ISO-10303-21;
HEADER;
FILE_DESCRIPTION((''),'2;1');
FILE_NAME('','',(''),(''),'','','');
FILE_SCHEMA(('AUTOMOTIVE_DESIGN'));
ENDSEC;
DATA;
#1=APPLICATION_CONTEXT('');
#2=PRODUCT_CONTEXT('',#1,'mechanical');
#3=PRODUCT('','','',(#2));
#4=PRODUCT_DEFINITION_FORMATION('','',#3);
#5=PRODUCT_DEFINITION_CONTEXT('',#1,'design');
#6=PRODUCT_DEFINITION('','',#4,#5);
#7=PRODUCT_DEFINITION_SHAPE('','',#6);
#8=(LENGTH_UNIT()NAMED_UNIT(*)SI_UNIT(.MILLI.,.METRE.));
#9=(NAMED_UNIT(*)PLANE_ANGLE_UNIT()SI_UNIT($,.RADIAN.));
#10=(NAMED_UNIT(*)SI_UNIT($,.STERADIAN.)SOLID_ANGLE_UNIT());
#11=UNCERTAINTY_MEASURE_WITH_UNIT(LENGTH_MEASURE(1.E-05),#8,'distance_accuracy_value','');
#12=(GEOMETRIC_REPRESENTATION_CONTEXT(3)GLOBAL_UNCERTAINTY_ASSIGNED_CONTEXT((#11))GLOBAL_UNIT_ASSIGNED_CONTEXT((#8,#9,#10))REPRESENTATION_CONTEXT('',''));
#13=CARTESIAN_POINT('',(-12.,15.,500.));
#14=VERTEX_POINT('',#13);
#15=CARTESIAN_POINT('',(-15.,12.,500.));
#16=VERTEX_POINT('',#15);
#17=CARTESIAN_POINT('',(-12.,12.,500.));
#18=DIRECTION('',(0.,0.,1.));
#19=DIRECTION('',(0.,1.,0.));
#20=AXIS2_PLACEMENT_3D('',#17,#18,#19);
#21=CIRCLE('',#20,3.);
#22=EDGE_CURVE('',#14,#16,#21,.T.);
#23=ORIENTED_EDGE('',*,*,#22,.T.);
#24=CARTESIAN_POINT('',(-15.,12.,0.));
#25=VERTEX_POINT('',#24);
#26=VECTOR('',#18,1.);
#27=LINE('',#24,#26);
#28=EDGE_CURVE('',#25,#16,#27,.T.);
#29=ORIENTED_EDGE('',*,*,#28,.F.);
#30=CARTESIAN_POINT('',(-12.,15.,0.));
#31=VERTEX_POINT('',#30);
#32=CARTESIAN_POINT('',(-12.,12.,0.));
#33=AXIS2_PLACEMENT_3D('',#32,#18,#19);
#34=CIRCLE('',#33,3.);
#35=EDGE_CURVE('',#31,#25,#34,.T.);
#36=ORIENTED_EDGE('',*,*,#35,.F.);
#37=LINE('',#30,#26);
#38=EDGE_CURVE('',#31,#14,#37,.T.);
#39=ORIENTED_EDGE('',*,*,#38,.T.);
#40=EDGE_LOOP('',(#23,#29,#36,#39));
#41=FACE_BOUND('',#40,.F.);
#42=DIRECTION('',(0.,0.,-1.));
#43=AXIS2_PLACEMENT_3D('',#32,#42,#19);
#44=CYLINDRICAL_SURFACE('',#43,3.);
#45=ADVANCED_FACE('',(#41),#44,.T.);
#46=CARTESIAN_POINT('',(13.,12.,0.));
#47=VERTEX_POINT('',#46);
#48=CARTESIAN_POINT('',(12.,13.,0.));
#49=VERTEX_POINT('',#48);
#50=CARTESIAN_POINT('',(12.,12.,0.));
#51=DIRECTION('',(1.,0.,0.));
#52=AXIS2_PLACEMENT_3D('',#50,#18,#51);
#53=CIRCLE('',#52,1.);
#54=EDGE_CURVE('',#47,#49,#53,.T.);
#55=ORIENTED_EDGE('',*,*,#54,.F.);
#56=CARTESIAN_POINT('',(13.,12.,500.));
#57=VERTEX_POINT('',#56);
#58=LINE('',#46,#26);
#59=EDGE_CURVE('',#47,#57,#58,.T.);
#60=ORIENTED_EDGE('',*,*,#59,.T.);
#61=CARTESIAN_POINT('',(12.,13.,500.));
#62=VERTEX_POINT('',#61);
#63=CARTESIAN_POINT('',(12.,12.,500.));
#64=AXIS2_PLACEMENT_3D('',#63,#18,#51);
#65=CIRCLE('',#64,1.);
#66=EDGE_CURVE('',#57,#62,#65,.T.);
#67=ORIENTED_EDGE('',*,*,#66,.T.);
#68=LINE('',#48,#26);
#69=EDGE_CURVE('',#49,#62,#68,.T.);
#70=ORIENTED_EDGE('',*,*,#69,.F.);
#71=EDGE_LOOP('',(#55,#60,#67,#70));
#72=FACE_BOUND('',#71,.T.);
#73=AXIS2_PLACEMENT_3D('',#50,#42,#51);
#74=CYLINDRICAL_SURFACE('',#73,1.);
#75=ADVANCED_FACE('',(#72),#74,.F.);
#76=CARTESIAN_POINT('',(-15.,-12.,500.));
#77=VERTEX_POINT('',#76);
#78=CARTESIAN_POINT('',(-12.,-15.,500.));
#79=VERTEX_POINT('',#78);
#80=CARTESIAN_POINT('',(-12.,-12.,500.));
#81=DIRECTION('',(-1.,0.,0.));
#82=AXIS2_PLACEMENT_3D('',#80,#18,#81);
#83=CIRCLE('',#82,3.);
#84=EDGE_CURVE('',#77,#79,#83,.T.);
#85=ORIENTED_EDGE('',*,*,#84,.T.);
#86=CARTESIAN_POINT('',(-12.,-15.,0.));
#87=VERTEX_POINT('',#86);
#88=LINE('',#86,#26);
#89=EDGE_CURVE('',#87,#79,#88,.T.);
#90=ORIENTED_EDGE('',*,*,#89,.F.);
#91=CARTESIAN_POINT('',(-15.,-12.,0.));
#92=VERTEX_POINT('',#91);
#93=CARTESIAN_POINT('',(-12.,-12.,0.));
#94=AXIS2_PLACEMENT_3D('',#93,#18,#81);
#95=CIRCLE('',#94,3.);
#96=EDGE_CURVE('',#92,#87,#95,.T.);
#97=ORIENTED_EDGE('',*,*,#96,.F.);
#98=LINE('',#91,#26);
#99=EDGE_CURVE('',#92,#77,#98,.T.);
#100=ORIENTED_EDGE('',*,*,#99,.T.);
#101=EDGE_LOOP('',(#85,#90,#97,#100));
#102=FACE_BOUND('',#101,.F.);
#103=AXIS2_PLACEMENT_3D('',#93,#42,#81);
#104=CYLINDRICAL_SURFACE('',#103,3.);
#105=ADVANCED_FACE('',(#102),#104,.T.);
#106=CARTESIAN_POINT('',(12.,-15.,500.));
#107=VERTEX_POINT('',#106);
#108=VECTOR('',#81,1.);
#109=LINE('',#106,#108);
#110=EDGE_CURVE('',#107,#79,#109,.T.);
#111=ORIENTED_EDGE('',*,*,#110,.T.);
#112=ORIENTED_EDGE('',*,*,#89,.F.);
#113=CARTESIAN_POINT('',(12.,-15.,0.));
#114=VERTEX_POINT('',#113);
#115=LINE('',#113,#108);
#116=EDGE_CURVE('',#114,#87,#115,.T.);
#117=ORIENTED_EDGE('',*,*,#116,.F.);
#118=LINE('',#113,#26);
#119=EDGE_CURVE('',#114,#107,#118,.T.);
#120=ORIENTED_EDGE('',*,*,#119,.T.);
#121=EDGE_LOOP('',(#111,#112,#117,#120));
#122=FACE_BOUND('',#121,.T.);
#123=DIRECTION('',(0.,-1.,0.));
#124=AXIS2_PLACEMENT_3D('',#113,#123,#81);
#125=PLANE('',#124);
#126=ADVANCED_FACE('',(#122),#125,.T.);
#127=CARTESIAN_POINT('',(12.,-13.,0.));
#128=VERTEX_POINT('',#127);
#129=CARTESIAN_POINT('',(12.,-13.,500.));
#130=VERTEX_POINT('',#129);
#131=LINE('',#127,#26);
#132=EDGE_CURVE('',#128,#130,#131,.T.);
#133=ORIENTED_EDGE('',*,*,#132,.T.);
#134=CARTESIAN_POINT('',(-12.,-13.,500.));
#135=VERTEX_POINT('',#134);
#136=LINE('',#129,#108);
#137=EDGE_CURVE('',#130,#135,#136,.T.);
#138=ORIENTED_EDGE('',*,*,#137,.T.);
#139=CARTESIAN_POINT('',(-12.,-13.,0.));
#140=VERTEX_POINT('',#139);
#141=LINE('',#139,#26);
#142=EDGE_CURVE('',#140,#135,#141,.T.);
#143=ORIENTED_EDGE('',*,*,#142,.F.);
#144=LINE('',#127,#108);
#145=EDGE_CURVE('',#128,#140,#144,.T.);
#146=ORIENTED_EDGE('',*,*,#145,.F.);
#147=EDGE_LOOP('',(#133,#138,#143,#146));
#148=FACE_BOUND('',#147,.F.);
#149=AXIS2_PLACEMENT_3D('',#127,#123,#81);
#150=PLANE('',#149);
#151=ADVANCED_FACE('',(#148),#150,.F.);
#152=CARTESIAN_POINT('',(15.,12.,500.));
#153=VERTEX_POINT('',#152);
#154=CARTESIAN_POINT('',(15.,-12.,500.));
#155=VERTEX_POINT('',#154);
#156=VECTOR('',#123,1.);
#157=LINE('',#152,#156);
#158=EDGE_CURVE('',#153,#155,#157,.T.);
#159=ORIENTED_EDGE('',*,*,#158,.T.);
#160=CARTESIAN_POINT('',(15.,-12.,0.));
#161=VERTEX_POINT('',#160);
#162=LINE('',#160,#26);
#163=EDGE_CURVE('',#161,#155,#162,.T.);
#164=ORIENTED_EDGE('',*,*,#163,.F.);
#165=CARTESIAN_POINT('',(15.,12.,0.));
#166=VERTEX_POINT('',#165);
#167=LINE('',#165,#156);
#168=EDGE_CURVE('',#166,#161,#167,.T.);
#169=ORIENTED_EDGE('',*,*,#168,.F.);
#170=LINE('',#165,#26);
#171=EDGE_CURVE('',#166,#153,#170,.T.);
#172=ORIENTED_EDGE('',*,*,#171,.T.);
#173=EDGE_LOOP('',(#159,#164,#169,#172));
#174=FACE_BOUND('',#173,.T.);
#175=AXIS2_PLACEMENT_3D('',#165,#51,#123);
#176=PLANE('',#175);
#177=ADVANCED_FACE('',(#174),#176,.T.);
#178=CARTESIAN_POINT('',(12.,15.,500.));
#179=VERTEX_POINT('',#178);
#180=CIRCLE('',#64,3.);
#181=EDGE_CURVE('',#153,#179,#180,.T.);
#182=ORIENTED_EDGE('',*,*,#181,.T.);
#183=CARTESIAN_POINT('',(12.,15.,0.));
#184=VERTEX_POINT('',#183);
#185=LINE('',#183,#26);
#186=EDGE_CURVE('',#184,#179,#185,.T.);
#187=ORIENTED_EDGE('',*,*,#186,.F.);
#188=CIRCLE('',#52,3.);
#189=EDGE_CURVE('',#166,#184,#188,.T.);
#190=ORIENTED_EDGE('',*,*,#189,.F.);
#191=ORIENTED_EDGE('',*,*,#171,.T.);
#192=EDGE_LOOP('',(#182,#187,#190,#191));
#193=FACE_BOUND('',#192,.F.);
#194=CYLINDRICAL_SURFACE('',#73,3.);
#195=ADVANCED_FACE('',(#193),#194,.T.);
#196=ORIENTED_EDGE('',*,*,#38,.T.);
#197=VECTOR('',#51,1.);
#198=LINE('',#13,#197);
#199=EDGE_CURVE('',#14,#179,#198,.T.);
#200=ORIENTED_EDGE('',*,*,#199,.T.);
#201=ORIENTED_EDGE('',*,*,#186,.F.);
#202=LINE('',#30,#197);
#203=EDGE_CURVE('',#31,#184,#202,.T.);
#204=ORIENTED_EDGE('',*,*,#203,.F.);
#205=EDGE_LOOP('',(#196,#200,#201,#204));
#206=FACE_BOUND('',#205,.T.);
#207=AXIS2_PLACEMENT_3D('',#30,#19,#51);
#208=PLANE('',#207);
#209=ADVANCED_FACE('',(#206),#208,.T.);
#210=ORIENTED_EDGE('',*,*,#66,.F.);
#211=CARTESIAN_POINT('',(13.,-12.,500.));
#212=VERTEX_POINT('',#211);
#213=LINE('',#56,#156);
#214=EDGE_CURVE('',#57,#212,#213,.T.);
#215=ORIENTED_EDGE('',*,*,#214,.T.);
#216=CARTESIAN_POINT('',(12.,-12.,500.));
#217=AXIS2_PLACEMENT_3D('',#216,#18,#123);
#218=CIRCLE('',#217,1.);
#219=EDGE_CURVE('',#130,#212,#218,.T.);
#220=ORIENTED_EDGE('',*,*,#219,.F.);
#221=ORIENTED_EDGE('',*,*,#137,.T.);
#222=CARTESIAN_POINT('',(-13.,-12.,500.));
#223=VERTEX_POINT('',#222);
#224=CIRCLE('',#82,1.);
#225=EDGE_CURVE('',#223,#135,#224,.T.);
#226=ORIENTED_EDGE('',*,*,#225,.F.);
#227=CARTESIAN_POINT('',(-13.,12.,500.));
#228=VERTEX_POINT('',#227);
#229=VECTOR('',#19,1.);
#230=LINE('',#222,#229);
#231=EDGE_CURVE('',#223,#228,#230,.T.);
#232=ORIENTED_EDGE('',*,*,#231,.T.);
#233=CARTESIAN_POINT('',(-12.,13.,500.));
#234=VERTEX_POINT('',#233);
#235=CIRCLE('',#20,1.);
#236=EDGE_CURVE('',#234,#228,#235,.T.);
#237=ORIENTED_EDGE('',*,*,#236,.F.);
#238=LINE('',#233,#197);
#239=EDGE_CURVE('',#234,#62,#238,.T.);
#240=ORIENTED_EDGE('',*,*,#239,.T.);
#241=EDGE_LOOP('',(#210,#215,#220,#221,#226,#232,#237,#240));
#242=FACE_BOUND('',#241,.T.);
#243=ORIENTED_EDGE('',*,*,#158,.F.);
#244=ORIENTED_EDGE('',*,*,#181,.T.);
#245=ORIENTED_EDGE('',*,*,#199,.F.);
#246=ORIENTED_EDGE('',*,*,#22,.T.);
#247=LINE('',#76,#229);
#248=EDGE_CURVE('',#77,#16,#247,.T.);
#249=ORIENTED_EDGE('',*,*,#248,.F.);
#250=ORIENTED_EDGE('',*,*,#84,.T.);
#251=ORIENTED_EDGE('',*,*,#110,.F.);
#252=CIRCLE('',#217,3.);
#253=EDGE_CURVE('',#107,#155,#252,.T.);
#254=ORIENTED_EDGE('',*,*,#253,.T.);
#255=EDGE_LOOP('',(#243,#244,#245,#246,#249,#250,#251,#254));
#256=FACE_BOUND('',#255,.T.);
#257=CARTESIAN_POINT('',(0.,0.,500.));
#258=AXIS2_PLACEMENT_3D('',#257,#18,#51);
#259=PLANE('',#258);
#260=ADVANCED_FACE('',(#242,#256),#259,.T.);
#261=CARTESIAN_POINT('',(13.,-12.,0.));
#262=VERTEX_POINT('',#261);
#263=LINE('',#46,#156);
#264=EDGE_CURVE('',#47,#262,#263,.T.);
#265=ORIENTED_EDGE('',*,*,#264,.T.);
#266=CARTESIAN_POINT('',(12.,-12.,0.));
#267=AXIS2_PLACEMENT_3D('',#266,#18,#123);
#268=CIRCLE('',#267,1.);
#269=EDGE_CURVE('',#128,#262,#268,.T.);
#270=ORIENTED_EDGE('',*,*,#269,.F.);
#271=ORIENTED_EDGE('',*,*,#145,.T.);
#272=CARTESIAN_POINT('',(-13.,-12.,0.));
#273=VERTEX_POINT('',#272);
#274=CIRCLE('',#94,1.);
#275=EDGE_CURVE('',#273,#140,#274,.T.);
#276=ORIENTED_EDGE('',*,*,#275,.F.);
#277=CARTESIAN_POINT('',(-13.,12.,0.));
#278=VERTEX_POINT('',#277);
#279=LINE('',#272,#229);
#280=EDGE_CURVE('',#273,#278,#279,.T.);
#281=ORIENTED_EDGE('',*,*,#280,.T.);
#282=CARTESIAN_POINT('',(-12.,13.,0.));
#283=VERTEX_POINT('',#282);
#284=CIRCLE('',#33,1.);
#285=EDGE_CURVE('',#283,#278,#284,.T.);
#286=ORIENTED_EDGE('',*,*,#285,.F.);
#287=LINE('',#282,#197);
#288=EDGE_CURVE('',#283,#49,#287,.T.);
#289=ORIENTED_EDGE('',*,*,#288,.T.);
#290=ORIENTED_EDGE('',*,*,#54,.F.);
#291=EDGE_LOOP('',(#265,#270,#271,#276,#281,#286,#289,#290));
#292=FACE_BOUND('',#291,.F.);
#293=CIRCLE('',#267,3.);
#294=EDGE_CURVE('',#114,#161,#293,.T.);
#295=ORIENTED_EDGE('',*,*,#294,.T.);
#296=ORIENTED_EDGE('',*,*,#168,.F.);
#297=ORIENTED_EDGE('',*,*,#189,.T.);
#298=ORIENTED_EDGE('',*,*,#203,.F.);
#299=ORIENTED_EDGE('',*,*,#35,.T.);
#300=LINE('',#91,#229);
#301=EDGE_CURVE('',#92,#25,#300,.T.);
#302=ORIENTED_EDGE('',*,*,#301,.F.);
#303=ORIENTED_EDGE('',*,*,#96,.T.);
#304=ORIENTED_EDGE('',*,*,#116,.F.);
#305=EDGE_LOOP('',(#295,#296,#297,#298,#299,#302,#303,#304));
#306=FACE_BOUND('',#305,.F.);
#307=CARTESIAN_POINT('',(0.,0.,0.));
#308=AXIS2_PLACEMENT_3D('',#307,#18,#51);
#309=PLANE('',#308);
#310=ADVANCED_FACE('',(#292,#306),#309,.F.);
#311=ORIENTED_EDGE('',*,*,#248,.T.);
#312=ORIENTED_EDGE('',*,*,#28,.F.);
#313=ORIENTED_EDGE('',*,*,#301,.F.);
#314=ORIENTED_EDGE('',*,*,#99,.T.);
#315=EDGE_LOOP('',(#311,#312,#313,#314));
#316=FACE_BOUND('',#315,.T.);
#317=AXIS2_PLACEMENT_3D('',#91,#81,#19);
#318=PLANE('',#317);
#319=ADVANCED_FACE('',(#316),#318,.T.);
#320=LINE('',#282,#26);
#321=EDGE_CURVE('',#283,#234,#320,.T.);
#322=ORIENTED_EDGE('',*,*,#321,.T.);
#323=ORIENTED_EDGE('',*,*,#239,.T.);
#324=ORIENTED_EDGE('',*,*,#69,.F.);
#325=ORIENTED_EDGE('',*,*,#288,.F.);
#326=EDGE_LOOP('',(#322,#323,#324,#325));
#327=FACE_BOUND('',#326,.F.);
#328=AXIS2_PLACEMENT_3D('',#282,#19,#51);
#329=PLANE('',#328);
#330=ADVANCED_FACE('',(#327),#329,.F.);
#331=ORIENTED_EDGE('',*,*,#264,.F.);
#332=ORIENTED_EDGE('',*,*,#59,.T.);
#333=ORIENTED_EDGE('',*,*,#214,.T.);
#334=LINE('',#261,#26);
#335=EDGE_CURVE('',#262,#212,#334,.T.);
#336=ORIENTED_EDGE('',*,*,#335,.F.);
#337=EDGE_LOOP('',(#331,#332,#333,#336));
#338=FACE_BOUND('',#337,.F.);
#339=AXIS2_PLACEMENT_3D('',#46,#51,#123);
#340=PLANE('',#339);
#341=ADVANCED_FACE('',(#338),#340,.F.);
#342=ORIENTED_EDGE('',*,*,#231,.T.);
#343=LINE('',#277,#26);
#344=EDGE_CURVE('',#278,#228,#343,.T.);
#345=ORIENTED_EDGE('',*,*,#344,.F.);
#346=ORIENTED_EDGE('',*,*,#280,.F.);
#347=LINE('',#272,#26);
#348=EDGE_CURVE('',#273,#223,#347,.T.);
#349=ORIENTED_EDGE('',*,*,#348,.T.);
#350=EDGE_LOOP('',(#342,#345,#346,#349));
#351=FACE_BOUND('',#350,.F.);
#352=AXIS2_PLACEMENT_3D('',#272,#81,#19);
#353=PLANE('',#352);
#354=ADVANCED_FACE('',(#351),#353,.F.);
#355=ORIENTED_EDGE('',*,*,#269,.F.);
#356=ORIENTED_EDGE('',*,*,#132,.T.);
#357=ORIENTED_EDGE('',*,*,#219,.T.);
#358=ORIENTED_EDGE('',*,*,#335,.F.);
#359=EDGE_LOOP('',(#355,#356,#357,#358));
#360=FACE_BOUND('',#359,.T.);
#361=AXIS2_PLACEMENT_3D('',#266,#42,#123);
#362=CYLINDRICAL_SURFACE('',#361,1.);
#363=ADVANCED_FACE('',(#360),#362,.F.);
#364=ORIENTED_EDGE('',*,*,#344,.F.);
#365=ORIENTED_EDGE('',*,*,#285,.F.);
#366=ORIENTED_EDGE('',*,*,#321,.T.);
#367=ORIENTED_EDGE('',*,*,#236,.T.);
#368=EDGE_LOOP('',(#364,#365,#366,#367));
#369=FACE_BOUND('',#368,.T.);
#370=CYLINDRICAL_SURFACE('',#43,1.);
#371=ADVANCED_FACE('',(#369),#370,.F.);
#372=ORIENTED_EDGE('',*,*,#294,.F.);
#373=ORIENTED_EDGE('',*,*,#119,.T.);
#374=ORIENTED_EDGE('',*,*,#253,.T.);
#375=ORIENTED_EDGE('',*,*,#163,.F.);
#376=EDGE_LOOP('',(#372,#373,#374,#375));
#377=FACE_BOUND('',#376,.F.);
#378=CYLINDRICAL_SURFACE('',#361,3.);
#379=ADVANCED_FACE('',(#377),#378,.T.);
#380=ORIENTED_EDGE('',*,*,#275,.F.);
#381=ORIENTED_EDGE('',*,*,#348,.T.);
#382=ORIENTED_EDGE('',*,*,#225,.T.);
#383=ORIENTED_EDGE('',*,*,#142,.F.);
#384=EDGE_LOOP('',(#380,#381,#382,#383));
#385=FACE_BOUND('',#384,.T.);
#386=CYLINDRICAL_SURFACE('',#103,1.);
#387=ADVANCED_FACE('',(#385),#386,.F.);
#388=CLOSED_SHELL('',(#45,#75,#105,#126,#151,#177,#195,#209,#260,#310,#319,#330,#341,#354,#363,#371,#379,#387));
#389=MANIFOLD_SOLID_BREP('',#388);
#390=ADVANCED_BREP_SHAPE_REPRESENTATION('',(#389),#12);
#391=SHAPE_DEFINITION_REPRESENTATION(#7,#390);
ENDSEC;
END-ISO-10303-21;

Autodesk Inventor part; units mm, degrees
ref_plane "YZ Plane" through (0, 0, 0) normal (1, 0, 0) x (0, 1, 0)
ref_plane "Start plane" through (0, 0, 0) normal (0, 0, 1) x (1, 0, 0)
ref_plane "End plane" through (0, 0, 500) normal (0, 0, 1) x (1, 0, 0)
sketch "Sketch" plane through (0, 0, 0) normal (0, 0, 1) x (1, 0, 0)
  line L0 (-15, -12) -> (-15, 12)
  line L1 (-12, 15) -> (12, 15)
  line L2 (15, 12) -> (15, -12)
  line L3 (12, -15) -> (-12, -15)
  arc A0 (-15, -12) -> (-12, -15) centre (-12, -12) ccw
  arc A1 (-12, 15) -> (-15, 12) centre (-12, 12) ccw
  arc A2 (15, 12) -> (12, 15) centre (12, 12) ccw
  arc A3 (12, -15) -> (15, -12) centre (12, -12) ccw
  arc A4 (-12, 13) -> (-13, 12) centre (-12, 12) ccw
  line L4 (-12, 13) -> (12, 13)
  arc A5 (13, 12) -> (12, 13) centre (12, 12) ccw
  line L5 (13, 12) -> (13, -12)
  arc A6 (12, -13) -> (13, -12) centre (12, -12) ccw
  line L6 (12, -13) -> (-12, -13)
  arc A7 (-13, -12) -> (-12, -13) centre (-12, -12) ccw
  line L7 (-13, -12) -> (-13, 12)
  line L8 (0, 21.8698) -> (0, -21.8698) construction
  line L9 (-21.8698, 0) -> (21.8698, 0) construction
  dimension "d7" = 3
  dimension "d10" = 30
  dimension "d11" = 30
  dimension "d12" = 2
  dimension "d15" = 15
  dimension "d16" = 15
extrude "Body" add sketch "Sketch" along normal up to surface (500 mm away) from surface at 0
sketch "Sketch3" plane through (0, 0, 0) normal (0, 0, 1) x (1, 0, 0)
  line L0 (0, 0) -> (10, 0)
ref_plane "Work Plane3" through (0, 0, 0) normal (0, -1, 0) x (1, 0, 0)
sketch "Sketch4" plane through (0, 0, 0) normal (0, -1, 0) x (1, 0, 0)
  line L0 (-2, 0) -> (12, 0)
  line L1 (-2, 500) -> (12, 500)
  dimension "d18" = 500
equation "\"d7\" = G_IR"
equation "\"d10\" = G_H"
equation "\"d11\" = G_W"
equation "\"d12\" = G_T"
equation "\"d15\" = 0.5 * d10"
equation "\"d16\" = 0.5 * d11"
equation "\"d3\" = G_L"
equation "\"G_W\" = 30"
equation "\"G_H\" = 30"
equation "\"G_T\" = 2"
equation "\"G_IR\" = 3"
equation "\"G_L\" = d18"
equation "\"G_OFFSET_START\" = 0"
equation "\"G_OFFSET_END\" = 0"
properties part number "EN 10210-2 - 30 x 30 x 2 - 500" material "Steel, Mild"
